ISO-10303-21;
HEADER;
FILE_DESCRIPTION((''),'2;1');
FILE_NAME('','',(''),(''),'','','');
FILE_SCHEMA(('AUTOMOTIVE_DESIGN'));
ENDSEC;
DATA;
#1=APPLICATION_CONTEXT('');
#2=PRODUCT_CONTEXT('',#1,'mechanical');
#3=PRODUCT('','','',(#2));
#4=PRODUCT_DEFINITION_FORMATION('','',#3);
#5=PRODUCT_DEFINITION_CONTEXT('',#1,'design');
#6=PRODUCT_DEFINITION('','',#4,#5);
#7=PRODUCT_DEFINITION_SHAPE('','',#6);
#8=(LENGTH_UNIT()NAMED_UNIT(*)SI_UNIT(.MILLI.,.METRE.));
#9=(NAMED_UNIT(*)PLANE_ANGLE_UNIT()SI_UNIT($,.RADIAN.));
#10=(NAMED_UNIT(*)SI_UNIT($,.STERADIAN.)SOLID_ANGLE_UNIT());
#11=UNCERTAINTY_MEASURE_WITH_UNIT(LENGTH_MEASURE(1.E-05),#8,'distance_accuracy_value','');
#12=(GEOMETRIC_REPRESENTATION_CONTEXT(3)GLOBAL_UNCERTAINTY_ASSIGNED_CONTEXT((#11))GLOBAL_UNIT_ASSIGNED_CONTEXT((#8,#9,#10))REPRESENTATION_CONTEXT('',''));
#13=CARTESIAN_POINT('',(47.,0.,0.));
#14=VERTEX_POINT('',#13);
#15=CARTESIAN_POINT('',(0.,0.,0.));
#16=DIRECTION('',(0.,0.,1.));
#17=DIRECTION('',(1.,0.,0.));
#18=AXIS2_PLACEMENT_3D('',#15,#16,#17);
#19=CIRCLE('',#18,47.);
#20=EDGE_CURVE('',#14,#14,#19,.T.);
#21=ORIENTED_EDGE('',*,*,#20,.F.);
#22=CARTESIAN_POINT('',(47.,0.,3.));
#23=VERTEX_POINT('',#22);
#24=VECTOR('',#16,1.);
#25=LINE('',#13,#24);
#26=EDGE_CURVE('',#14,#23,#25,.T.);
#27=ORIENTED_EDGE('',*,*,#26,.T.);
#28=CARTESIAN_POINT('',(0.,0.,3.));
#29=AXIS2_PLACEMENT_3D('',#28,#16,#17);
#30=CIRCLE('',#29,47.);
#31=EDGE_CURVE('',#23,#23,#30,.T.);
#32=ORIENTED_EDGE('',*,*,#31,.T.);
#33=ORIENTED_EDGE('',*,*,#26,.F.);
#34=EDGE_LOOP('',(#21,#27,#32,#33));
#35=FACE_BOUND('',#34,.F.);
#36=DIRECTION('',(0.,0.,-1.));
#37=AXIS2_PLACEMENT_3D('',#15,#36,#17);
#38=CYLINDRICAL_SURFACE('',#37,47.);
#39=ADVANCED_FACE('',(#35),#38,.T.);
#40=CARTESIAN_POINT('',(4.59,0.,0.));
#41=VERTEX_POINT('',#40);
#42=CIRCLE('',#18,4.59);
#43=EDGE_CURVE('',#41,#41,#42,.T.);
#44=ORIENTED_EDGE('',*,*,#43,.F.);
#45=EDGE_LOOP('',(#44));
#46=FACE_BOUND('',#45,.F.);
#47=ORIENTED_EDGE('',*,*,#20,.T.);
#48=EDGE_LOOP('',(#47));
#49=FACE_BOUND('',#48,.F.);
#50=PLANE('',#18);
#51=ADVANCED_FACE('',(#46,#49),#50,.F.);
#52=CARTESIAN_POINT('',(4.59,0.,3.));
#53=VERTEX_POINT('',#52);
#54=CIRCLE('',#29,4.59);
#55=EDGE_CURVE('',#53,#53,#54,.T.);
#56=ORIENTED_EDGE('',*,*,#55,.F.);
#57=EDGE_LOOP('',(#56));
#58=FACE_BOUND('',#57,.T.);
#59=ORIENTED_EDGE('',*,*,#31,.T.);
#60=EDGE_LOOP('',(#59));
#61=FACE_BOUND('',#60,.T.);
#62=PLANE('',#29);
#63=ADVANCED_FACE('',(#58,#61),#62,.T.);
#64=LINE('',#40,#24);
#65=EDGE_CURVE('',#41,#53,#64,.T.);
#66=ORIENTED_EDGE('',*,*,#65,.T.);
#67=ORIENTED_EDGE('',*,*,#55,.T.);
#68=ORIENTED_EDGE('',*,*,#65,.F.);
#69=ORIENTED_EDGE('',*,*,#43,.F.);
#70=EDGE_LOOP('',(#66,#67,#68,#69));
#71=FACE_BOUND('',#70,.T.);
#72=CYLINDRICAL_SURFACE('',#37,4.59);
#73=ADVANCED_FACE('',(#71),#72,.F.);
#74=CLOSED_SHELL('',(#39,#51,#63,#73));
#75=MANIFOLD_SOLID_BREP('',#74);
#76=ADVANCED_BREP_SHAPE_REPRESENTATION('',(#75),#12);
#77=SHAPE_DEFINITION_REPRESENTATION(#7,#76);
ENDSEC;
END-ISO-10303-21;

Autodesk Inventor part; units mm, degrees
ref_plane "YZ Plane" through (0, 0, 0) normal (1, 0, 0) x (0, 1, 0)
ref_plane "XZ Plane" through (0, 0, 0) normal (0, 1, 0) x (-1, 0, 0)
ref_plane "XY Plane" through (0, 0, 0) normal (0, 0, 1) x (1, 0, 0)
sketch "Sketch1" plane through (0, 0, 0) normal (0, 0, 1) x (1, 0, 0)
  circle A0 centre (0, 0) radius 4.59
  circle A1 centre (0, 0) radius 47
  dimension "d0" = 9.18
  dimension "d1" = 94
extrude "Extrusion1" add sketch "Sketch1" along normal blind 3
properties part number "NPT Inside Gland"
